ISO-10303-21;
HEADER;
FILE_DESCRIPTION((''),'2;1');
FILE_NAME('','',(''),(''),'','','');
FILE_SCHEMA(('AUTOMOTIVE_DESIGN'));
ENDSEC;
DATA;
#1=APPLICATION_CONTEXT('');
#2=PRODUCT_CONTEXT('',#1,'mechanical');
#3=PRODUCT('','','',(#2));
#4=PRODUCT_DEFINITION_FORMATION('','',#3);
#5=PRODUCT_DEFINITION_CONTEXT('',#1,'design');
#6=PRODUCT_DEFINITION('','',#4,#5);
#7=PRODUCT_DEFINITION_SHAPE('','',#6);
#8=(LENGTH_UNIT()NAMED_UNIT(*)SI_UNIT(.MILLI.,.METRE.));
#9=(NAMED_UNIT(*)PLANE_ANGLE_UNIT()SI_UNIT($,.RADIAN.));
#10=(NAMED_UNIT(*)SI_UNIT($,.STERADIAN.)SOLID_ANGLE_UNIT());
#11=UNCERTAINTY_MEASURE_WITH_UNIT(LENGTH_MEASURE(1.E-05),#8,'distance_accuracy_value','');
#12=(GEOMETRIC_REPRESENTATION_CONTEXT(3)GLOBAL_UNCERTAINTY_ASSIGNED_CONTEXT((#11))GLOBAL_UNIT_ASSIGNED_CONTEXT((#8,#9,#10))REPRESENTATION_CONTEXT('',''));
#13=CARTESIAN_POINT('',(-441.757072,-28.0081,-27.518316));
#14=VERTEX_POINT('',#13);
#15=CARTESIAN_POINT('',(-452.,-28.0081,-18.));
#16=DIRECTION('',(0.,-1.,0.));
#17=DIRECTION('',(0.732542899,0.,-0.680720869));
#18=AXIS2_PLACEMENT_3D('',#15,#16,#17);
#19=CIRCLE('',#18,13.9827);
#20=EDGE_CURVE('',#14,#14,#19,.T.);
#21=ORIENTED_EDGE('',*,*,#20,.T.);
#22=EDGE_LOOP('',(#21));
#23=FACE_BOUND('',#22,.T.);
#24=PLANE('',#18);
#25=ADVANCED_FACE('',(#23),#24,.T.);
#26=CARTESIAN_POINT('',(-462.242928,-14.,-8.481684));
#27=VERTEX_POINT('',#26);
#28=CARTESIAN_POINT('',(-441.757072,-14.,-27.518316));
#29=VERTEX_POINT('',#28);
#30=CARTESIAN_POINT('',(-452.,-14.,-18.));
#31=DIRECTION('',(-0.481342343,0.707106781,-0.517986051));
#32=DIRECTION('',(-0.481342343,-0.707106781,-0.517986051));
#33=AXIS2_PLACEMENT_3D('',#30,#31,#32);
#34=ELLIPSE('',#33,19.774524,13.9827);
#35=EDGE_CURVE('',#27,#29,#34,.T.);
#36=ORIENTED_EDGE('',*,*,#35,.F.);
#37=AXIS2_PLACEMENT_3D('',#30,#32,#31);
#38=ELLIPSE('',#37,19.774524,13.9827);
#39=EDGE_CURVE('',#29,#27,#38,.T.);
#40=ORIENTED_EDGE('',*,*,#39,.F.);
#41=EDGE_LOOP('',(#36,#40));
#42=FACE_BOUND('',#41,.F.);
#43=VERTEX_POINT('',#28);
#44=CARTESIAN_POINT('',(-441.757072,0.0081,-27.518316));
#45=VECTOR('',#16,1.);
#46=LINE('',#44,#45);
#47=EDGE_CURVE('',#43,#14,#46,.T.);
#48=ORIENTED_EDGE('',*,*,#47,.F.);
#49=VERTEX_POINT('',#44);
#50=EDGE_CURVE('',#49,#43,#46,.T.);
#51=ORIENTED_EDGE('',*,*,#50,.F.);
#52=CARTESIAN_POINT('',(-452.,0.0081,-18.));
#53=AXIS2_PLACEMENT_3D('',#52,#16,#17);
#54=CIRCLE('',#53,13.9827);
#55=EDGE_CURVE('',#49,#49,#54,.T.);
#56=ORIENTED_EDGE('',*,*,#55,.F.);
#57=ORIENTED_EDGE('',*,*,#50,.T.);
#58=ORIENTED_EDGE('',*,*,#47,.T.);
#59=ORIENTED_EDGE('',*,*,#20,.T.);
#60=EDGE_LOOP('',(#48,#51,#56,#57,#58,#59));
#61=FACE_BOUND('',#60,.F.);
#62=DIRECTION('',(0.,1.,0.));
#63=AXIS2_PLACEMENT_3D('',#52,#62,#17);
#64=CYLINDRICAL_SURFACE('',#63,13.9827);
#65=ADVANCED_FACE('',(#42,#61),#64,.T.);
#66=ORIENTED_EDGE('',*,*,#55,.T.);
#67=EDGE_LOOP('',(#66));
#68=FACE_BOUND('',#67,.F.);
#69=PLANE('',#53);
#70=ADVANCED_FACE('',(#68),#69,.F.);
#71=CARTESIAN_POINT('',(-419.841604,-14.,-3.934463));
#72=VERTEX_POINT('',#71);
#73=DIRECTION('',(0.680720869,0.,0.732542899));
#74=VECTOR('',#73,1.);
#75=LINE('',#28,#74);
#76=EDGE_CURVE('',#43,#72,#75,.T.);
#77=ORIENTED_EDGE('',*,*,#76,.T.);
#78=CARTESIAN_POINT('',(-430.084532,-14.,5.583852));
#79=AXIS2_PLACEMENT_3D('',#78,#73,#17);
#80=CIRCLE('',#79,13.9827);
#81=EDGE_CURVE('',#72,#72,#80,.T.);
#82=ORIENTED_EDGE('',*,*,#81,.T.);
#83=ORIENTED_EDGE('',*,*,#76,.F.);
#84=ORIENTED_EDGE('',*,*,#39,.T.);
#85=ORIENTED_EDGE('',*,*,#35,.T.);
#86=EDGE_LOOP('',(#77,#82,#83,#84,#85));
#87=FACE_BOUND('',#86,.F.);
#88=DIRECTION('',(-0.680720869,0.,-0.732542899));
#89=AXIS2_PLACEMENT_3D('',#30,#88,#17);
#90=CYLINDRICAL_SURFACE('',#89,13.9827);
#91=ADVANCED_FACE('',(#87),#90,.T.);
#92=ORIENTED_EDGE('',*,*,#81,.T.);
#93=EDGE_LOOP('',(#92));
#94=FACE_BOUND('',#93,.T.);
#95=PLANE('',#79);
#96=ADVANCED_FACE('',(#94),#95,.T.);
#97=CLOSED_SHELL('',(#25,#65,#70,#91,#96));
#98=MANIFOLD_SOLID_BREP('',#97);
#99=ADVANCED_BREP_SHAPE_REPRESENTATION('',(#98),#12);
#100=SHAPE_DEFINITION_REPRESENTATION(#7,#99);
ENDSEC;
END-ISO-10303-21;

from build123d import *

# Parameters (mm, degrees)
CYLINDER068_R             = 13.9827
CYLINDER068_DEPTH         = 28.0162
CYLINDER067_R             = 13.9827
CYLINDER067_DEPTH         = 32.1945
FUSION026_PLACEMENT_ANGLE = 42.9


with BuildPart() as cylinder068:
    # Cylinder068 → Cylinder068 (new body)
    with BuildSketch(Plane.XZ.offset(-14.0081)):
        Circle(CYLINDER068_R)
    extrude(amount=CYLINDER068_DEPTH)


with BuildPart() as rear_inner_slip_l:
    # Cylinder067 → Cylinder067 (new body)
    with BuildSketch(Plane.XY):
        Circle(CYLINDER067_R)
    extrude(amount=CYLINDER067_DEPTH)

    # Fusion026: union Cylinder068
    add(cylinder068.part)


with BuildPart() as rear_inner_slip_l_1:
    # Fusion026 placement: moved
    add(rear_inner_slip_l.part.moved(Location((-452, -14, -18))).rotate(Axis((-452, -14, -18), (0, 1, 0)), FUSION026_PLACEMENT_ANGLE))


solid = rear_inner_slip_l_1.part
